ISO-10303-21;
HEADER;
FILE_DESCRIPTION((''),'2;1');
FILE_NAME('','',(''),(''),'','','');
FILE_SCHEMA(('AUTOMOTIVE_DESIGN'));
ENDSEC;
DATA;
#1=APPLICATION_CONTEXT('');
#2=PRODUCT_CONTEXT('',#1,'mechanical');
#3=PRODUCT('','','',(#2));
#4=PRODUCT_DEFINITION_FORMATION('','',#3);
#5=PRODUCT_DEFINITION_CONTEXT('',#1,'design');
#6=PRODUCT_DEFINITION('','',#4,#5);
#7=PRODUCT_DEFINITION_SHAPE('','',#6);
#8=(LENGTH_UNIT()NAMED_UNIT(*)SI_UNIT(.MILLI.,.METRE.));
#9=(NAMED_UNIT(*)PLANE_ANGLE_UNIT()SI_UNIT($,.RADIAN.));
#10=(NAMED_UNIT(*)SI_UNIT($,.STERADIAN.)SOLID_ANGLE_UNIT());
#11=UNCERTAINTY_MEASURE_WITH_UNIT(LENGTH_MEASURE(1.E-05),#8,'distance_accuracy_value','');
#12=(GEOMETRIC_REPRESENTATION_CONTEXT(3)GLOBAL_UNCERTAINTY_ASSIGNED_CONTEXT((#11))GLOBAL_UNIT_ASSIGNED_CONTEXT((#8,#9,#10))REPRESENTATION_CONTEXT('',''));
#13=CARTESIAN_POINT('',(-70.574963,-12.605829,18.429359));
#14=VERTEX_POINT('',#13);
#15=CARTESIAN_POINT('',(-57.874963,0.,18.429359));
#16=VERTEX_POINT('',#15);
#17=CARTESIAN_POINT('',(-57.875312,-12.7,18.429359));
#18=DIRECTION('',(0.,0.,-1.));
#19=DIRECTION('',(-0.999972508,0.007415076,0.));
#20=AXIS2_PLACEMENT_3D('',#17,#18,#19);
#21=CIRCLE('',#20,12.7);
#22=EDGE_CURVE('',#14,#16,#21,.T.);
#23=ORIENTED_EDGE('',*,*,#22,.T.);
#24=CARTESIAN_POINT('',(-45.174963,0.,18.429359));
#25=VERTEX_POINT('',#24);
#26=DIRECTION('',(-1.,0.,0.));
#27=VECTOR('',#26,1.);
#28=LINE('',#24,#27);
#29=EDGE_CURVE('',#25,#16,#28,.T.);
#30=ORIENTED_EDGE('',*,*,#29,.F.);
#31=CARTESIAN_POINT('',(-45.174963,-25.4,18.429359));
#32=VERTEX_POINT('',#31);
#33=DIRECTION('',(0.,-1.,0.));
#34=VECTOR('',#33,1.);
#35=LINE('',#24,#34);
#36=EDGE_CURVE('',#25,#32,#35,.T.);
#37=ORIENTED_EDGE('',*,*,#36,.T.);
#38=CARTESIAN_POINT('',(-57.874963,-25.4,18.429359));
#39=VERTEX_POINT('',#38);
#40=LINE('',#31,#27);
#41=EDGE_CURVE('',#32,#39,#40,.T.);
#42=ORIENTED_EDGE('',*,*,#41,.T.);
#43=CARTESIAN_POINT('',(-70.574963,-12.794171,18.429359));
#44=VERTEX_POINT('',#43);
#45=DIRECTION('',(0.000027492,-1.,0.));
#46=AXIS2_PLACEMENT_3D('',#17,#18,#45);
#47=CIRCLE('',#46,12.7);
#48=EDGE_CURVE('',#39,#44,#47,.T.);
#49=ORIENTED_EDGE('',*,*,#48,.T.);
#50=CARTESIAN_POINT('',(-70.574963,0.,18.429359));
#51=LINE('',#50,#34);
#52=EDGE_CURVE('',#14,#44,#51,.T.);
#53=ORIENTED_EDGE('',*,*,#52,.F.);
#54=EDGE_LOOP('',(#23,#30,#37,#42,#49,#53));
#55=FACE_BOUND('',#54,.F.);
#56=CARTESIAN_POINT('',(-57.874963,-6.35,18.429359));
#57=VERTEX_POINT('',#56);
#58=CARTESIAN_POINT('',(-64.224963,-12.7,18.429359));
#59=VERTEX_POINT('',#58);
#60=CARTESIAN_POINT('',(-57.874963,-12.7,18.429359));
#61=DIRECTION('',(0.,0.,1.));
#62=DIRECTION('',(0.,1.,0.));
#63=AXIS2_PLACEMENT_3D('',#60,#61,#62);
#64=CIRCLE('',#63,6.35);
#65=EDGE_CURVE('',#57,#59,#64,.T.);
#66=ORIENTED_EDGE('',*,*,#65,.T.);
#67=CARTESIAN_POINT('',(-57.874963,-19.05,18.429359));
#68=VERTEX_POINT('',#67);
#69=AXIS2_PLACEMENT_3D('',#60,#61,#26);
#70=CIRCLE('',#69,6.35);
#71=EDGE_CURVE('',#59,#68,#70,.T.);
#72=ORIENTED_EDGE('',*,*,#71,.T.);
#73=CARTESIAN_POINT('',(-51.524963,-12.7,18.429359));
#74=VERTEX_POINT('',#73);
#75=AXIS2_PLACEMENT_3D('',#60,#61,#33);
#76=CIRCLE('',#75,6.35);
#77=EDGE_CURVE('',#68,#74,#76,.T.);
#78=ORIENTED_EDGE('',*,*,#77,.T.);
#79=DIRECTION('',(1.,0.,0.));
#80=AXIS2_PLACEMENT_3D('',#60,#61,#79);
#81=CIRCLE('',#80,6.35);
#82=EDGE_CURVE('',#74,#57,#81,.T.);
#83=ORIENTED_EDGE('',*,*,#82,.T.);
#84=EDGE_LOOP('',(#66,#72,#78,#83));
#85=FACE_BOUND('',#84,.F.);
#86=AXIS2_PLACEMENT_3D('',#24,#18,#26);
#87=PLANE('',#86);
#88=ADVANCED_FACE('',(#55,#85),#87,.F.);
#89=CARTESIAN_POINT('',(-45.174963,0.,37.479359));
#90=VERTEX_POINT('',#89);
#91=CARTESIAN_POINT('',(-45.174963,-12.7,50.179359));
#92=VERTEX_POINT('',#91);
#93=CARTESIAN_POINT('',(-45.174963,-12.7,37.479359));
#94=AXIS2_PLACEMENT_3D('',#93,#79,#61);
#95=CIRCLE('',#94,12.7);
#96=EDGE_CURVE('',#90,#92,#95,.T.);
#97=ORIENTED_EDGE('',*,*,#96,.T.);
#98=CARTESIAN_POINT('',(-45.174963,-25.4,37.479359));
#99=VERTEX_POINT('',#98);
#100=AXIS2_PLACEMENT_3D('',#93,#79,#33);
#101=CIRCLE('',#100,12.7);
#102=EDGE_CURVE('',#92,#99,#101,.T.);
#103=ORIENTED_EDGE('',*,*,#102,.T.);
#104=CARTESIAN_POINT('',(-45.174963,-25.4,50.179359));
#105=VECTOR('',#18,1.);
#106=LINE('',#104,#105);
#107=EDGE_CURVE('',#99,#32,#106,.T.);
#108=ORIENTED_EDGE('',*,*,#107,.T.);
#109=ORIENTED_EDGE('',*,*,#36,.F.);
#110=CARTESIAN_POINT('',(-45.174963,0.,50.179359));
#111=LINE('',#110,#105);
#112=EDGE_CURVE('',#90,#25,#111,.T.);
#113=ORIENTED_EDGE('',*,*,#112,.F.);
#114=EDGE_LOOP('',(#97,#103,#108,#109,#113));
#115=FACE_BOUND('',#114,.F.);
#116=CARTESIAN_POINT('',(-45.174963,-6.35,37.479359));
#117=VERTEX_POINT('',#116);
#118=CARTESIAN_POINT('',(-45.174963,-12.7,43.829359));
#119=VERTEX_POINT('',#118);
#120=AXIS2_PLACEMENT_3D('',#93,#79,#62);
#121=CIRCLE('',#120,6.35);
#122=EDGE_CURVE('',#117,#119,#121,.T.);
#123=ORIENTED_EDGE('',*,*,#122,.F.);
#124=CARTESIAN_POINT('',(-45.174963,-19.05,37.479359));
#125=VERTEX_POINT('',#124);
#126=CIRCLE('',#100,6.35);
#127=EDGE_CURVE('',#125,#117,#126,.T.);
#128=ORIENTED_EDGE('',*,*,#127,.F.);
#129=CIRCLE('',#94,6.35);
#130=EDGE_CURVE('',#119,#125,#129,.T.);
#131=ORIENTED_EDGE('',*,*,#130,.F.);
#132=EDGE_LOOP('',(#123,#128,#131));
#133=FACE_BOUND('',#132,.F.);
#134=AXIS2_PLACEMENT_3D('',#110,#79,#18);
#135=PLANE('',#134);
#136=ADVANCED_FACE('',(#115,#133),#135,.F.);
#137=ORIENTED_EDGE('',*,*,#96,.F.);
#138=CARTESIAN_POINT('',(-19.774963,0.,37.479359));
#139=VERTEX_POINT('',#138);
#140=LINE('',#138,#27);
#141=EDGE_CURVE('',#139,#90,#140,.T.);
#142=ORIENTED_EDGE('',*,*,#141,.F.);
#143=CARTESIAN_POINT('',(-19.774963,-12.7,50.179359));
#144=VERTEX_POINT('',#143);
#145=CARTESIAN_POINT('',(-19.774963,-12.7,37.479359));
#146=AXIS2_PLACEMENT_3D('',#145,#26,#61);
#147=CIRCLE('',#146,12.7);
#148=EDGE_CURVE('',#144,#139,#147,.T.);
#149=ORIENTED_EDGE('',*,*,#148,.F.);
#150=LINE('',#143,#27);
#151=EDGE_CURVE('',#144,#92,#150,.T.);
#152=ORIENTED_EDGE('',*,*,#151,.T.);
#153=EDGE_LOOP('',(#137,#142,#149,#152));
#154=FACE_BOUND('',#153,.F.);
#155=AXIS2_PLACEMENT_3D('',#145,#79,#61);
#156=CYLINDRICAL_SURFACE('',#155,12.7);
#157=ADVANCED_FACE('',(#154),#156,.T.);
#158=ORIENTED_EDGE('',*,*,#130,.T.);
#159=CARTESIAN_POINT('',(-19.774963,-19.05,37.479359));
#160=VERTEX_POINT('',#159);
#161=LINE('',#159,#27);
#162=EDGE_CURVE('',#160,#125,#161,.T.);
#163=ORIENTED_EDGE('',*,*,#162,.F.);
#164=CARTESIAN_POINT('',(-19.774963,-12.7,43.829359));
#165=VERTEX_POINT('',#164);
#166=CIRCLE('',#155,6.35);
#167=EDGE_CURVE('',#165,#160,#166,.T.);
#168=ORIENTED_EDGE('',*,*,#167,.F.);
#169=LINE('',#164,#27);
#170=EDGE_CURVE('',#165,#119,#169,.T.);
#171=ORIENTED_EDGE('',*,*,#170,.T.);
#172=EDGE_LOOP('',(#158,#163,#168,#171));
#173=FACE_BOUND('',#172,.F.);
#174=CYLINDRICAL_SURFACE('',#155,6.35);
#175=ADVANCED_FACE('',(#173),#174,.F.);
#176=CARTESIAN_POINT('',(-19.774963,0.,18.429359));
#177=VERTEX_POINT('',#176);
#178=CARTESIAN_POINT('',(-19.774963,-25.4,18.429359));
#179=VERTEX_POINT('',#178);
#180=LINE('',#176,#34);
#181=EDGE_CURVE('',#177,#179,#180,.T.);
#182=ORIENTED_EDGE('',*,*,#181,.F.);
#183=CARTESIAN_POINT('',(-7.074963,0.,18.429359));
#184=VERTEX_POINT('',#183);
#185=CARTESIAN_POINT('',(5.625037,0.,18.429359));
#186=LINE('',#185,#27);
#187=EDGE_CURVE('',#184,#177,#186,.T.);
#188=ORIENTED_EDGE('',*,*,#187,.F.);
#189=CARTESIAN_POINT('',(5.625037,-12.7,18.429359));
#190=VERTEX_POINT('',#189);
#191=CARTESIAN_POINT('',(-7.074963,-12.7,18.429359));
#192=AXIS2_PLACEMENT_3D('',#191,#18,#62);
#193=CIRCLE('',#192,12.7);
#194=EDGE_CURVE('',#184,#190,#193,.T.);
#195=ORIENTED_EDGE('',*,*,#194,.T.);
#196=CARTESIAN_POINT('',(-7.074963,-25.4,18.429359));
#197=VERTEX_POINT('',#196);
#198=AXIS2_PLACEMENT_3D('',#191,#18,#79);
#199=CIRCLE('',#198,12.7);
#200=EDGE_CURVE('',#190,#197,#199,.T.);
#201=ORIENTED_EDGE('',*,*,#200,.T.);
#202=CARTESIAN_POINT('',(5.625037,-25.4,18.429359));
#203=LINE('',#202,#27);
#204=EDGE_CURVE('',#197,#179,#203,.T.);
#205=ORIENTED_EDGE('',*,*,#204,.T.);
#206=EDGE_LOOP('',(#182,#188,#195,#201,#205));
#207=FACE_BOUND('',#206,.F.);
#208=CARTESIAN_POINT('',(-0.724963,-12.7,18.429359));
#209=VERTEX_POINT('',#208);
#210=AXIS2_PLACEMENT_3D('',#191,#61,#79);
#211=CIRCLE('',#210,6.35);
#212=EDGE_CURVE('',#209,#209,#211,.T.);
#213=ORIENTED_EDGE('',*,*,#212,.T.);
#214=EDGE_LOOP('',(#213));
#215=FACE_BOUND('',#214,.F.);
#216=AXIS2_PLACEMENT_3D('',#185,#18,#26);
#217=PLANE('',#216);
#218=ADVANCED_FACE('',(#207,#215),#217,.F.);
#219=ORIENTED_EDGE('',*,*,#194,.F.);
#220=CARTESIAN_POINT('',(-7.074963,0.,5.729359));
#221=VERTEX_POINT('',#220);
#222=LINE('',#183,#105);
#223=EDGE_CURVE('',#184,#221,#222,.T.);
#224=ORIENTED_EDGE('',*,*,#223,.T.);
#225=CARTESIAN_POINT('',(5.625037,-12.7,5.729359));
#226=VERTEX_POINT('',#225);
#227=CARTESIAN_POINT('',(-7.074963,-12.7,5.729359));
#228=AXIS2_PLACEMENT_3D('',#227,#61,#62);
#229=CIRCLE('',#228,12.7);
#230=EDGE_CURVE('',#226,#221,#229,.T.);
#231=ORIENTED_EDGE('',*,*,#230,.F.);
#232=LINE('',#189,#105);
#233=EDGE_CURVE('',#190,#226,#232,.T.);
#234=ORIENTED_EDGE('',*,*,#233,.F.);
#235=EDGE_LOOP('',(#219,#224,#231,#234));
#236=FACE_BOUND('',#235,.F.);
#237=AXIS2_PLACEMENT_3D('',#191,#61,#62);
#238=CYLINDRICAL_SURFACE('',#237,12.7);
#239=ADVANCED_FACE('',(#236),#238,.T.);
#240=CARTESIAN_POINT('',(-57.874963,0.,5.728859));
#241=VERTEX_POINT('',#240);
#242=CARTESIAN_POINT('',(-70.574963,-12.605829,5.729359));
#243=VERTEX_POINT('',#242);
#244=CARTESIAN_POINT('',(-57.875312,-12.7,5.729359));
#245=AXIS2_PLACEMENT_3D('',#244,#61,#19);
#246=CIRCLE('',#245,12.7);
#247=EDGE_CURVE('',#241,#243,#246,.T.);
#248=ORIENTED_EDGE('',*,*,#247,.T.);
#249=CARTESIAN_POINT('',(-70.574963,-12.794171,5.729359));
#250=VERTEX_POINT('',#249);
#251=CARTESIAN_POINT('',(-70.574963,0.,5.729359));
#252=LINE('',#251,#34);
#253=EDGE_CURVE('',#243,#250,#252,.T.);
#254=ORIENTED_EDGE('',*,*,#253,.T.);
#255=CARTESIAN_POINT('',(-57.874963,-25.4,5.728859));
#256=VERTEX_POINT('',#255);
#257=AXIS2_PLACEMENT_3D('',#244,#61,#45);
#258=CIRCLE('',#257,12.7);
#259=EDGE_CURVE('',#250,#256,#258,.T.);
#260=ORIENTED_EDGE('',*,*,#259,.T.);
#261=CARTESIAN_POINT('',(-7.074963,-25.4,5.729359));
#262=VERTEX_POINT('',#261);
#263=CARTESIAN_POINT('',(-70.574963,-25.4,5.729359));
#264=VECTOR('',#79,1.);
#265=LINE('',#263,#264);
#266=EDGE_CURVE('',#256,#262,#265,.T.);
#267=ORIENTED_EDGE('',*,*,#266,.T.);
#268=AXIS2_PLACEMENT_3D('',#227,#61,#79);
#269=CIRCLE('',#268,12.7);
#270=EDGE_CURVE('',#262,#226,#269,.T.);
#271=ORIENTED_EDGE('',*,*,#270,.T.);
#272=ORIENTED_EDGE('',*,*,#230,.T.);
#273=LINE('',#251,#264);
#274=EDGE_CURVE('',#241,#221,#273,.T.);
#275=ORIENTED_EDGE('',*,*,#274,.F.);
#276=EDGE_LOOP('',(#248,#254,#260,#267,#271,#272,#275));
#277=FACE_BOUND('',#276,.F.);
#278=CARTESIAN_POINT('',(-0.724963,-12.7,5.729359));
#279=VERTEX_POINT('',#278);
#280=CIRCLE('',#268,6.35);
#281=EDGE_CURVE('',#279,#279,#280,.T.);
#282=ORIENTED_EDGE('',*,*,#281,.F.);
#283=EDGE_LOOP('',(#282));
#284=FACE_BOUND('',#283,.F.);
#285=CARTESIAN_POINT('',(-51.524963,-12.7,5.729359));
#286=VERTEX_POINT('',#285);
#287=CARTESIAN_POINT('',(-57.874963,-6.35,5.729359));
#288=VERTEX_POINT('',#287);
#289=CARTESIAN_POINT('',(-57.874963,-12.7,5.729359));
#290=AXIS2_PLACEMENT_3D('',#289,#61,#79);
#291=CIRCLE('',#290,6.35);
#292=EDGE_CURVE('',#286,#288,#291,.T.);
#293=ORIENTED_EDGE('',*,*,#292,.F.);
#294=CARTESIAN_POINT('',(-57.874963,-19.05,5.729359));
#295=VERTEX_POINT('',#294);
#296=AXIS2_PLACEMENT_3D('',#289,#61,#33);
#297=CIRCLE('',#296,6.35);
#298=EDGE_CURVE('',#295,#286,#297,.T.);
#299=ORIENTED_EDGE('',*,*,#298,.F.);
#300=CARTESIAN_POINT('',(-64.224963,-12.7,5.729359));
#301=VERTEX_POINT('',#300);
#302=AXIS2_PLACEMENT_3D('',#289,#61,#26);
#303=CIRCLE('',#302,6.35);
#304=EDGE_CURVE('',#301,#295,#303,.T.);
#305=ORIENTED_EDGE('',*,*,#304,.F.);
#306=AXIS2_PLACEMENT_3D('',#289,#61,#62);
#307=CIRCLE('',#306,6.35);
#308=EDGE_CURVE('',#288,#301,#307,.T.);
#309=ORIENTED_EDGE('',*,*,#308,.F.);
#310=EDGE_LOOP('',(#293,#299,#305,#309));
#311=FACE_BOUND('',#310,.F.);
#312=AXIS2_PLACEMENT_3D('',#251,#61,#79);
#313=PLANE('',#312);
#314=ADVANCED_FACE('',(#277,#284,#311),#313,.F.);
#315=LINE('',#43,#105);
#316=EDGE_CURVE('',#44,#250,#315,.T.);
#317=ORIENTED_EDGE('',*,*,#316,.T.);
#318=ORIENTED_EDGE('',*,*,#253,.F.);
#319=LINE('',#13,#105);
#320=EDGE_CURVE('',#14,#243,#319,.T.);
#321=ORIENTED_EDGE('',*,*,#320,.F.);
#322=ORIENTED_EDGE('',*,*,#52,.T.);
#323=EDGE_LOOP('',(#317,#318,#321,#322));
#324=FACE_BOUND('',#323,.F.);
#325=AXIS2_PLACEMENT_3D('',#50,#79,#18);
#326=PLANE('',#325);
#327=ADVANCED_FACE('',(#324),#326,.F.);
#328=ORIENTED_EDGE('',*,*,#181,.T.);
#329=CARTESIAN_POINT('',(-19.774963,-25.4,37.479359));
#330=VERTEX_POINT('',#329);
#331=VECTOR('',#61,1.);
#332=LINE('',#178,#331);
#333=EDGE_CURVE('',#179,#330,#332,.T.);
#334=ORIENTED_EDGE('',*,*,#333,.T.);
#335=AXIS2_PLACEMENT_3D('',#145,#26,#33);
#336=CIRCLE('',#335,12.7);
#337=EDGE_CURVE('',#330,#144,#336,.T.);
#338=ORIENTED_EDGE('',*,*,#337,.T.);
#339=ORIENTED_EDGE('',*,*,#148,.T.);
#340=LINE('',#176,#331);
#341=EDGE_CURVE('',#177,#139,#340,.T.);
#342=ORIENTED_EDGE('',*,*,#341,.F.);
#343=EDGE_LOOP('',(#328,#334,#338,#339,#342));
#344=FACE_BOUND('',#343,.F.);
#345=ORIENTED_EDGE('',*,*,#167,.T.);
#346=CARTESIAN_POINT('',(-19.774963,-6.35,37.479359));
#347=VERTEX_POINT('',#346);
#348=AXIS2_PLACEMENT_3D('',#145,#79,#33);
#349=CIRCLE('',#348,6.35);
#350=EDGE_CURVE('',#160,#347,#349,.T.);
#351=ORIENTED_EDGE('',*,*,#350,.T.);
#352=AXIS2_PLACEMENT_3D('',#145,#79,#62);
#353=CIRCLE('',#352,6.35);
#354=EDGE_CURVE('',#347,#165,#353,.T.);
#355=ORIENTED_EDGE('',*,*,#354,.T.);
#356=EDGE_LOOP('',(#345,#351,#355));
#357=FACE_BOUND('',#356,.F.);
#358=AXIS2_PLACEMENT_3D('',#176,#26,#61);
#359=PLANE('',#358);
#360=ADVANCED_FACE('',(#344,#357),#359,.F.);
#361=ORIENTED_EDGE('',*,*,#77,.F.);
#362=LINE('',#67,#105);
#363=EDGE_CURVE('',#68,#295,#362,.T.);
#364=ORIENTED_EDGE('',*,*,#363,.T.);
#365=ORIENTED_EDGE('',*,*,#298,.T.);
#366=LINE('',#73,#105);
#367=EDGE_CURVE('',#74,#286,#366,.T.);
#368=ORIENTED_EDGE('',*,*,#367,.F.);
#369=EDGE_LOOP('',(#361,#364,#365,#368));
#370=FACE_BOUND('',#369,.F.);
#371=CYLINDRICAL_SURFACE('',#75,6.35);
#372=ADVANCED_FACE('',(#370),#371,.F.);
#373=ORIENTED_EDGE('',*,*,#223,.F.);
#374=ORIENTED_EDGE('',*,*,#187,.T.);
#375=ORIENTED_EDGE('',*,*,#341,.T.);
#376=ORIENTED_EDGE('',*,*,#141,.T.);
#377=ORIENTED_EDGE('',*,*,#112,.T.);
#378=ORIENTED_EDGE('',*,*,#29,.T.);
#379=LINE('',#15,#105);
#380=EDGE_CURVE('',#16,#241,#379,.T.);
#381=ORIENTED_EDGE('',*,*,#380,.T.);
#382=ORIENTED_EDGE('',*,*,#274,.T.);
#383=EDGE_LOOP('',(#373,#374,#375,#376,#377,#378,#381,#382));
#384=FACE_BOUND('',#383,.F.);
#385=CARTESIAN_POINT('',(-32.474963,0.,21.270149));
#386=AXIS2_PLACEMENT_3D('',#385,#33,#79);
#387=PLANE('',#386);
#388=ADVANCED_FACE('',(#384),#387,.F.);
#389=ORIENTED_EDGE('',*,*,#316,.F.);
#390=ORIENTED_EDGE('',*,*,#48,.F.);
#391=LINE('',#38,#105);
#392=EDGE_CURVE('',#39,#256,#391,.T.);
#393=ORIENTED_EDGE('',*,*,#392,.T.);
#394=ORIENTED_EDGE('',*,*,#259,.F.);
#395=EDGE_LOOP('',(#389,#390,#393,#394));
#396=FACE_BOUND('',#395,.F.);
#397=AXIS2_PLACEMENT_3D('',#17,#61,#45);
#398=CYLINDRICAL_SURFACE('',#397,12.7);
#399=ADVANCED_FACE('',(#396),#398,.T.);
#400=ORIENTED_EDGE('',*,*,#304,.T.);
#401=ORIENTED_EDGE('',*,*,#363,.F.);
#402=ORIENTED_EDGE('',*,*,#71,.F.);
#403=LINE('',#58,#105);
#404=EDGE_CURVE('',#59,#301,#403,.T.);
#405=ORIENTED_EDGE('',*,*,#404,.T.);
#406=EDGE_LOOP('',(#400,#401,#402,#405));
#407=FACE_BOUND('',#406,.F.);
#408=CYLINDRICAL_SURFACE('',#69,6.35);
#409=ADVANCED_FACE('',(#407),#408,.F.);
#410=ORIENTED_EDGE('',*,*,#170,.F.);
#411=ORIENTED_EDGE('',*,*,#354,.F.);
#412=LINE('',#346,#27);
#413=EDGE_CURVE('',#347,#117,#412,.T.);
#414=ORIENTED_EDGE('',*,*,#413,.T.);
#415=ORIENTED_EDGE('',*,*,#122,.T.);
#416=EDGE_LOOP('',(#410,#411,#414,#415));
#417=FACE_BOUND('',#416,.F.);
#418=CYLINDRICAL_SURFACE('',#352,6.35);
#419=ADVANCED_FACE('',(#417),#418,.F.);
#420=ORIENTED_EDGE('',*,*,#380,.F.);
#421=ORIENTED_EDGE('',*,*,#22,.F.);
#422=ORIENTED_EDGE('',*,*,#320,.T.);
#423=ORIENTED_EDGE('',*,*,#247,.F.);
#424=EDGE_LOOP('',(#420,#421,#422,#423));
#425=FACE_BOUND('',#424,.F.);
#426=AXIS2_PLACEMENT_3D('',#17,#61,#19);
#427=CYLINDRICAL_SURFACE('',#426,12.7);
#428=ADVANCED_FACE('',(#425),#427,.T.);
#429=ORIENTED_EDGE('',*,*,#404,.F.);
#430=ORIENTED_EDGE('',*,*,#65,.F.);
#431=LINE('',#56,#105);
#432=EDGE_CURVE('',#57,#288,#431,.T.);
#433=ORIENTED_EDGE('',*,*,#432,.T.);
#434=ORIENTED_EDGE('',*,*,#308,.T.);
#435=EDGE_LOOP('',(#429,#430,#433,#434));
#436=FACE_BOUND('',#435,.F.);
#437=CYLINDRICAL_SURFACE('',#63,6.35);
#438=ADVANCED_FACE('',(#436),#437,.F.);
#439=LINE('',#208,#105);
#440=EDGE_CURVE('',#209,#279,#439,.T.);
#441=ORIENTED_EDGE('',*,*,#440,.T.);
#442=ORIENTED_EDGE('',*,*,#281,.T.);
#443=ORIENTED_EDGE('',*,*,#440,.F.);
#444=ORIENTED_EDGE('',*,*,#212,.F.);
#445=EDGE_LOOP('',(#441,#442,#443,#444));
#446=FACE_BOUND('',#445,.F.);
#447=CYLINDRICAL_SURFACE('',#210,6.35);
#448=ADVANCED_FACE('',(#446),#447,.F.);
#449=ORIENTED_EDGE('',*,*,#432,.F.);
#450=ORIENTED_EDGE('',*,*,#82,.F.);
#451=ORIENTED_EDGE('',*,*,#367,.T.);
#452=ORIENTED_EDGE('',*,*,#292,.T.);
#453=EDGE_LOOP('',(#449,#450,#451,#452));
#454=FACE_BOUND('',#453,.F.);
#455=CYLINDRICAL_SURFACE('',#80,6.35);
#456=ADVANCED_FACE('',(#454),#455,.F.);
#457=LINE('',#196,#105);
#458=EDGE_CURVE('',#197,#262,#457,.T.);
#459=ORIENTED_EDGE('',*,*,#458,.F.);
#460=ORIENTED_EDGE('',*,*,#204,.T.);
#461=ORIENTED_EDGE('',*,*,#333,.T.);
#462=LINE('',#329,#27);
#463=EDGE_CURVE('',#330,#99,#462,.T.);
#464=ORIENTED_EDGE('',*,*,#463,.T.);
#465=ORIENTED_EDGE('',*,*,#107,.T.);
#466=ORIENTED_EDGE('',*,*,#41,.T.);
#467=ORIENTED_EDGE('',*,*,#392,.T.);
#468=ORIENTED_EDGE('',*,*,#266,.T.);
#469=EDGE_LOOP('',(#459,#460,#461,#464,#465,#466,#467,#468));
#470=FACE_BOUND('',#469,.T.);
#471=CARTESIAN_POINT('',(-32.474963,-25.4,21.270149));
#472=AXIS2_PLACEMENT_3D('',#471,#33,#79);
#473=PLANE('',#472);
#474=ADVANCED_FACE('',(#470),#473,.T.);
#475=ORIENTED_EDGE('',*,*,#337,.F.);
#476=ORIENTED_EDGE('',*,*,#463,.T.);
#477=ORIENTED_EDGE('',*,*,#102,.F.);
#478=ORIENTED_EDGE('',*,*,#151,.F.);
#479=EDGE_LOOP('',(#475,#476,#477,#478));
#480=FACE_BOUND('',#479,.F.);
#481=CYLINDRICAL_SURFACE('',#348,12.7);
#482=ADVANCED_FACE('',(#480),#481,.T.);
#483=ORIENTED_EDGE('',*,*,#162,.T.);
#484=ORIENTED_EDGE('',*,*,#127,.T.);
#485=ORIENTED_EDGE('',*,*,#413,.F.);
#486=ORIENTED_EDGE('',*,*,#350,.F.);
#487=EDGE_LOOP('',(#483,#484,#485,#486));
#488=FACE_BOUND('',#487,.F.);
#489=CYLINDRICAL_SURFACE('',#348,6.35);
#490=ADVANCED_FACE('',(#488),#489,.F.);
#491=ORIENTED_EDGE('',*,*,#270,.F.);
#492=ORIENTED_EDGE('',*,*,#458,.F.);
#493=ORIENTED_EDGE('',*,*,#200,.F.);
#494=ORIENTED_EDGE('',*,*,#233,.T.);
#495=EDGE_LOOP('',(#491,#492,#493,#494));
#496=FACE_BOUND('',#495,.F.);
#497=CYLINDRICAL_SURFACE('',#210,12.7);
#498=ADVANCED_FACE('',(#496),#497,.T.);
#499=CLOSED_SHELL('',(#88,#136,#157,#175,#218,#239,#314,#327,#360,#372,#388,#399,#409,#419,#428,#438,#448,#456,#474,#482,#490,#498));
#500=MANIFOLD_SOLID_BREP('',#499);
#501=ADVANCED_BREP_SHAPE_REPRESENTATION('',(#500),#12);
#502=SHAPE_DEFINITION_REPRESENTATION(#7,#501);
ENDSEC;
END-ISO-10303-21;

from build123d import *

# Parameters (mm, degrees)
F1_DEPTH = 25.4
F2_R     = 6.35
F3_DEPTH = 12.701
F5_DEPTH = 50.801
F7_DEPTH = 12.701


with BuildPart() as f1:
    # F0 (on Front) → F1 (new body)
    with BuildSketch(Plane.XZ):
        Polygon((-70.5749627616, 18.429359109), (-70.5749627616, 5.729359109), (5.6250372384, 5.729359109), (5.6250372384, 18.429359109), (-19.7749627616, 18.429359109), (-19.7749627616, 50.179359109), (-45.1749627616, 50.179359109), (-45.1749627616, 18.429359109), align=None)
    extrude(amount=F1_DEPTH)

    # F2 (on face) → F3 (cut, through all)
    with BuildSketch(Plane.XY.offset(18.429359109)):
        with Locations((-7.0749627616, -12.7)):
            Circle(F2_R)
        with BuildLine():
            ThreePointArc((5.6250372384, -12.7), (1.9052933594, -21.6802561211), (-7.0749627616, -25.4))
            Line((-7.0749627616, -25.4), (5.6250372384, -25.4))
            Line((5.6250372384, -25.4), (5.6250372384, -12.7))
        make_face()
        with BuildLine():
            ThreePointArc((-7.0749627616, 0), (1.9052933594, -3.7197438789), (5.6250372384, -12.7))
            Line((5.6250372384, -12.7), (5.6250372384, 0))
            Line((5.6250372384, 0), (-7.0749627616, 0))
        make_face()
    extrude(amount=-F3_DEPTH, mode=Mode.SUBTRACT)

    # F4 (on face) → F5 (cut, through all)
    with BuildSketch(Plane.YZ.offset(-19.7749627616)):
        with BuildLine():
            ThreePointArc((-19.05, 37.479359109), (-12.7, 31.129359109), (-6.35, 37.479359109))
            ThreePointArc((-6.35, 37.479359109), (-8.2098719395, 41.9694871695), (-12.7, 43.829359109))
            ThreePointArc((-12.7, 43.829359109), (-17.1901280605, 41.9694871695), (-19.05, 37.479359109))
        make_face()
        with BuildLine():
            ThreePointArc((-25.4, 37.479359109), (-21.6802561211, 46.45961523), (-12.7, 50.179359109))
            Line((-12.7, 50.179359109), (-25.4, 50.179359109))
            Line((-25.4, 50.179359109), (-25.4, 37.479359109))
        make_face()
        with BuildLine():
            ThreePointArc((-12.7, 50.179359109), (-3.7197438789, 46.45961523), (0, 37.479359109))
            Line((0, 37.479359109), (0, 50.179359109))
            Line((0, 50.179359109), (-12.7, 50.179359109))
        make_face()
    extrude(amount=-F5_DEPTH, mode=Mode.SUBTRACT)

    # F6 (on face) → F7 (cut, through all)
    with BuildSketch(Plane.XY.offset(18.429359109)):
        with BuildLine():
            ThreePointArc((-70.5749627616, -12.60582854), (-66.8220875421, -3.6863877476), (-57.8749627616, 0))
            Line((-57.8749627616, 0), (-70.5749627616, 0))
            Line((-70.5749627616, 0), (-70.5749627616, -12.60582854))
        make_face()
        with BuildLine():
            Line((-70.5749627616, -25.4), (-57.8749627616, -25.4))
            ThreePointArc((-57.8749627616, -25.4), (-66.8220875421, -21.7136122524), (-70.5749627616, -12.79417146))
            Line((-70.5749627616, -12.79417146), (-70.5749627616, -25.4))
        make_face()
        with BuildLine():
            ThreePointArc((-57.8749627616, -19.05), (-53.3848347011, -17.1901280605), (-51.5249627616, -12.7))
            ThreePointArc((-51.5249627616, -12.7), (-53.3848347011, -8.2098719395), (-57.8749627616, -6.35))
            ThreePointArc((-57.8749627616, -6.35), (-62.3650908222, -8.2098719395), (-64.2249627616, -12.7))
            ThreePointArc((-64.2249627616, -12.7), (-62.3650908222, -17.1901280605), (-57.8749627616, -19.05))
        make_face()
    extrude(amount=-F7_DEPTH, mode=Mode.SUBTRACT)


solid = f1.part
